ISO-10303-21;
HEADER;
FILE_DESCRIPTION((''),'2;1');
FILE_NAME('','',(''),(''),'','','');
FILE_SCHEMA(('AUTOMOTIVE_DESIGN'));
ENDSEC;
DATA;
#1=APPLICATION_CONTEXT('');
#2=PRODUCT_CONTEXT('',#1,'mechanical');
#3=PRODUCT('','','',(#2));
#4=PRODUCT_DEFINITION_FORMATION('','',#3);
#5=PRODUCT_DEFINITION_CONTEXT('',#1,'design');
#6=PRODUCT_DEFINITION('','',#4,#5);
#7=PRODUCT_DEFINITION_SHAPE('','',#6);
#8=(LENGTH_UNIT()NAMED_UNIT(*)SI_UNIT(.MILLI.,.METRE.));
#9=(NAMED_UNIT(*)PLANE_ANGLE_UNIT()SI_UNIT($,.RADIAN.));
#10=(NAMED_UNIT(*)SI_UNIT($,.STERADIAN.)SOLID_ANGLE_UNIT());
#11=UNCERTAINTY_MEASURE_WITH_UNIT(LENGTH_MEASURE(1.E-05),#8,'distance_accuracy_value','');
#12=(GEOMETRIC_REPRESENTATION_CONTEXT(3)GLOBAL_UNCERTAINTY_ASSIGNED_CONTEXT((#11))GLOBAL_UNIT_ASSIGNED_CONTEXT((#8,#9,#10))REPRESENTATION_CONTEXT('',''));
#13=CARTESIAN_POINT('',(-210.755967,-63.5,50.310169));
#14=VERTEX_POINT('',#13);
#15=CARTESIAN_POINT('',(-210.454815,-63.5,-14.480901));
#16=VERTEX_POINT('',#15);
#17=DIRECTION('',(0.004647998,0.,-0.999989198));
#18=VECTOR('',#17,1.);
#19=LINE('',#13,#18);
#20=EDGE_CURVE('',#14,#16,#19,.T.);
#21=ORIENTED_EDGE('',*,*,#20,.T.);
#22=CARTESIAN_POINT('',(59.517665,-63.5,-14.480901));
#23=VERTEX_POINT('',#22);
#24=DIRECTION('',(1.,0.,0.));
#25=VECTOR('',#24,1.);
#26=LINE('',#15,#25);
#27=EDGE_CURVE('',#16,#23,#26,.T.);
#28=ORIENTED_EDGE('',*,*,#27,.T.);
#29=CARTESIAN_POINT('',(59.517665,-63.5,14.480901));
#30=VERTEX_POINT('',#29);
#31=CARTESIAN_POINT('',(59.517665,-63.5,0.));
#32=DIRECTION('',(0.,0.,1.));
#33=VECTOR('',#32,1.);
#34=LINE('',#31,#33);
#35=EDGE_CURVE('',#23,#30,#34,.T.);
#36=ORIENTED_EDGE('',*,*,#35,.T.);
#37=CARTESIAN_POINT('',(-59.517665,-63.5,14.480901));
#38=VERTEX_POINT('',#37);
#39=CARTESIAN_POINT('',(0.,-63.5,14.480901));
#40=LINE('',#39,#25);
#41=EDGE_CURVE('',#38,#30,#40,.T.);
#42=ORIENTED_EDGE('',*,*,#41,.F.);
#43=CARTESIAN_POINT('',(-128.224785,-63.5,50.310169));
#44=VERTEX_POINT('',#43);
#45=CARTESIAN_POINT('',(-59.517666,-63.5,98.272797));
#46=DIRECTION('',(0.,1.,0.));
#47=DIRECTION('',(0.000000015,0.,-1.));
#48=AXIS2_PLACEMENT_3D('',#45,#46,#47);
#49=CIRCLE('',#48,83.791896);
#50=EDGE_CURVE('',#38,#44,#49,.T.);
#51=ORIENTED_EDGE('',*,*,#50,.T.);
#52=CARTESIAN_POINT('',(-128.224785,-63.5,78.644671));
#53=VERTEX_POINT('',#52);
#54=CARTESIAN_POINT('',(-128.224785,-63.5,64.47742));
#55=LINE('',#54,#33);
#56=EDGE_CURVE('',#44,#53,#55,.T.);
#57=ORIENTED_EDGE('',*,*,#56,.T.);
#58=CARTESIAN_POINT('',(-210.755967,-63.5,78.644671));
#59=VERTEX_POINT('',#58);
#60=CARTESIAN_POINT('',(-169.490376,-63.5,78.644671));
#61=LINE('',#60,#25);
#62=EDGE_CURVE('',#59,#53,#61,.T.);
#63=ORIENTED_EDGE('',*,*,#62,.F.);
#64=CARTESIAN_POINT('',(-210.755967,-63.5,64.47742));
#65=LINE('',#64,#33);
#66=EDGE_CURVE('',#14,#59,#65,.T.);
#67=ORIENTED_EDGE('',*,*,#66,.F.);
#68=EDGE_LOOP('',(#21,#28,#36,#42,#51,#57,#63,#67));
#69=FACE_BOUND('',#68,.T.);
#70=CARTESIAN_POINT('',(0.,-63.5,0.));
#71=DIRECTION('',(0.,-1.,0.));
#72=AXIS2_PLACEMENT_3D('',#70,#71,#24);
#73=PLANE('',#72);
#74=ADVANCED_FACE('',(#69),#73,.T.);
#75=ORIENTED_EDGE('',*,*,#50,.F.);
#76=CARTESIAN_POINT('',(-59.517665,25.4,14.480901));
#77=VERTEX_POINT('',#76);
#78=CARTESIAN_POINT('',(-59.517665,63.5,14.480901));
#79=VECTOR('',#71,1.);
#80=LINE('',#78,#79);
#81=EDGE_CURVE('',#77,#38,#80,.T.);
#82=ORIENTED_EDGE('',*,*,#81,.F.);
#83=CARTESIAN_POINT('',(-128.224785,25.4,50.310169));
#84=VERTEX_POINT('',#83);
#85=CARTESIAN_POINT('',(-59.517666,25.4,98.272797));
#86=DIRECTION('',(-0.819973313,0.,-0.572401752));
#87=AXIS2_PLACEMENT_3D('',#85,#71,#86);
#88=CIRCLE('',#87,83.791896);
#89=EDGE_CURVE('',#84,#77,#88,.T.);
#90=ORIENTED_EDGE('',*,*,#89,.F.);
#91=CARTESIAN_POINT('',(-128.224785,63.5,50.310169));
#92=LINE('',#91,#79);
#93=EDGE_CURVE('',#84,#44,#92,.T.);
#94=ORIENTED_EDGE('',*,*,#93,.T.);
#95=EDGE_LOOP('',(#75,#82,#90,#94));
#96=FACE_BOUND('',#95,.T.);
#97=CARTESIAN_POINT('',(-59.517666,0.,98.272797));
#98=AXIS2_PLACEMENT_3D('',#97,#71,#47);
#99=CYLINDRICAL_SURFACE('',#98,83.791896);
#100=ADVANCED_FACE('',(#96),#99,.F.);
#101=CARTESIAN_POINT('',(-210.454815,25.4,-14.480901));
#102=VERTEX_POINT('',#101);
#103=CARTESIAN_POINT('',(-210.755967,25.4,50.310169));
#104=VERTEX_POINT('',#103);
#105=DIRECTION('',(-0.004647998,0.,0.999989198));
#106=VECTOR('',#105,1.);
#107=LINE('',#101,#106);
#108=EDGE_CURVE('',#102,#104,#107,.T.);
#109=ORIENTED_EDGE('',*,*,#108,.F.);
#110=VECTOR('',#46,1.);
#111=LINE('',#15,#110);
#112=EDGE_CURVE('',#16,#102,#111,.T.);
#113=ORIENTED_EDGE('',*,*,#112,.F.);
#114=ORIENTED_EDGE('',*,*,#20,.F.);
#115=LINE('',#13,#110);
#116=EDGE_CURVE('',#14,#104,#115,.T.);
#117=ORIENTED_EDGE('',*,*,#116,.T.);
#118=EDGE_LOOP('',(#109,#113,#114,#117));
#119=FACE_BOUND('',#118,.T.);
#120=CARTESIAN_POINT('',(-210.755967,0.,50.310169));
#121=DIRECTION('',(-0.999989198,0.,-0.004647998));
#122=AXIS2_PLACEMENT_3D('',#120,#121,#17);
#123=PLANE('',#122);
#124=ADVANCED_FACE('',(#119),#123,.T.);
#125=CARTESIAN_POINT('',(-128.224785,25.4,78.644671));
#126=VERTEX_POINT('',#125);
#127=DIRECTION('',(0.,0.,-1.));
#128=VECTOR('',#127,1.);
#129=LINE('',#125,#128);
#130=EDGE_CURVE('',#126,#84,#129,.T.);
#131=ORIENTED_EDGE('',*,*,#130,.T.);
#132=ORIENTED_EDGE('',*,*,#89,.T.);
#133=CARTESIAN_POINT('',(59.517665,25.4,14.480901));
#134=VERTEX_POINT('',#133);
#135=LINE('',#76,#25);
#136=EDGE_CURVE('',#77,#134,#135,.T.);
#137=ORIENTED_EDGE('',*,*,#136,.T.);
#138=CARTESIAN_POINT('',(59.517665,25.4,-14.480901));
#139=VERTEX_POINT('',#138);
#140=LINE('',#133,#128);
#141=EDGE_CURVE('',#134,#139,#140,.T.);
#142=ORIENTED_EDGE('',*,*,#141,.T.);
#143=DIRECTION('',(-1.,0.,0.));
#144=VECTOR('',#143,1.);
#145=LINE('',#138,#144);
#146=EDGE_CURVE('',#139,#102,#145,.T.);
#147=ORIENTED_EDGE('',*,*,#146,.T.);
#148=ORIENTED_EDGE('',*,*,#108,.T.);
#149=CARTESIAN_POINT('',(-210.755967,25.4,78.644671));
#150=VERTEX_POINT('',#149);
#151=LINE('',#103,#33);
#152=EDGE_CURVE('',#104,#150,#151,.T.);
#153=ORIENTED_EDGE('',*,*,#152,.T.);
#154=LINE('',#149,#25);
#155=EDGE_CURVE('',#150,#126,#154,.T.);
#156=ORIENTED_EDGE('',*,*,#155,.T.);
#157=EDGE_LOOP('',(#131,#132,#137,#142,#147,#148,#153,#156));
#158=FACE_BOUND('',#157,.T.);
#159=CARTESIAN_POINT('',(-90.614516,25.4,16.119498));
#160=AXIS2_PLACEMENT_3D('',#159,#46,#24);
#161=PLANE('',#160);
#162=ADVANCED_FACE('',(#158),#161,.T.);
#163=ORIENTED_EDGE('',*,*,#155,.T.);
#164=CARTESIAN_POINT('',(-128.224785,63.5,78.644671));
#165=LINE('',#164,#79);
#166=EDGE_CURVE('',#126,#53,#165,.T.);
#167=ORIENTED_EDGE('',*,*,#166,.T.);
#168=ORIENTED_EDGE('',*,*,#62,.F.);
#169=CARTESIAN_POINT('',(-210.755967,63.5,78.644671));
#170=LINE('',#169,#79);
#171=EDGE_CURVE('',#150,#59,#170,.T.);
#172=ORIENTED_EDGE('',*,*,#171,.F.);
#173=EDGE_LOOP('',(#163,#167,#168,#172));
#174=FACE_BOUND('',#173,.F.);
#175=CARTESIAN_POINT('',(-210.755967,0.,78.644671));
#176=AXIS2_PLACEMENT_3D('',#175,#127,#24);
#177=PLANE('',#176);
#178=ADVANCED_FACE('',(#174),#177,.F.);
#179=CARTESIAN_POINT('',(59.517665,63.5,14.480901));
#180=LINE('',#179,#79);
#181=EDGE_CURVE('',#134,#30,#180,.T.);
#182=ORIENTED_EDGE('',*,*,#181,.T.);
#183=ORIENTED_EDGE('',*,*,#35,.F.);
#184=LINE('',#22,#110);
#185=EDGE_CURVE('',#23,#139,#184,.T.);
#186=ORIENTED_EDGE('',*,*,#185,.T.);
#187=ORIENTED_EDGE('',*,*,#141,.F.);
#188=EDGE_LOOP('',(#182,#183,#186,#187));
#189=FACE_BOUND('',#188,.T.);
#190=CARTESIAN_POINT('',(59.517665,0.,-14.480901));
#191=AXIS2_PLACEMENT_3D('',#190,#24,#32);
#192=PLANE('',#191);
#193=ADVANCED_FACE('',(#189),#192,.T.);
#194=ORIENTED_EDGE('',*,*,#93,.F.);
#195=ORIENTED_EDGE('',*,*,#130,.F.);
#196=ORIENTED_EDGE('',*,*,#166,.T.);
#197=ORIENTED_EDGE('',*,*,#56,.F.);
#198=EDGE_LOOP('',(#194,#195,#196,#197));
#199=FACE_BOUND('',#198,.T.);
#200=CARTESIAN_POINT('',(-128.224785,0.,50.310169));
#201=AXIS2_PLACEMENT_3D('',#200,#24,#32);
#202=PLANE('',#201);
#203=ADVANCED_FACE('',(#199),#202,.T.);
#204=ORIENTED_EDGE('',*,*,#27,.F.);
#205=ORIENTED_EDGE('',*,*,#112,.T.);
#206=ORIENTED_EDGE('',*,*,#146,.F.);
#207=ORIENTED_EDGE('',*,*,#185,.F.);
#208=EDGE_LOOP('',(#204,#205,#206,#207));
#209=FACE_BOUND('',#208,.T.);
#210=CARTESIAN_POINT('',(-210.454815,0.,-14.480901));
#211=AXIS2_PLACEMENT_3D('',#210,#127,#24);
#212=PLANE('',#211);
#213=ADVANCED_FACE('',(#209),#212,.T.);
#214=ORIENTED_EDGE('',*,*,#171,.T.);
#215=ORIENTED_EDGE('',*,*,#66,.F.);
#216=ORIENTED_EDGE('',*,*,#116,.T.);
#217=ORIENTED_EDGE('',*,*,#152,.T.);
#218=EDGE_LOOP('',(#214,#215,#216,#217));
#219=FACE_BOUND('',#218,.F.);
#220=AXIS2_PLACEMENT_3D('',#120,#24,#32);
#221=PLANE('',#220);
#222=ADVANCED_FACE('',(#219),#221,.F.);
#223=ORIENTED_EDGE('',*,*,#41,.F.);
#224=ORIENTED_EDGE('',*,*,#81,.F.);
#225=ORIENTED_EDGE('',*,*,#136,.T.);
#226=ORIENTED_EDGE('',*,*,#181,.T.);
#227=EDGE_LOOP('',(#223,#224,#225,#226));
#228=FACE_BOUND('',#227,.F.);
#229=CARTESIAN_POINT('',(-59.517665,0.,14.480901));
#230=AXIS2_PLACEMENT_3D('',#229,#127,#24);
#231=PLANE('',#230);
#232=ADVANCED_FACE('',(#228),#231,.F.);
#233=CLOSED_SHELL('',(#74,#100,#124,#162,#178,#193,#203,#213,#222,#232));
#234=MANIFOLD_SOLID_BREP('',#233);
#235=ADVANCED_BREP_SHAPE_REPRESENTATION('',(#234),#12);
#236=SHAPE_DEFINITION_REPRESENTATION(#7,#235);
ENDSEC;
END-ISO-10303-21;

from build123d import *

# Parameters (mm, degrees)
F0_W     = 119.03533
F0_H     = 28.961802
F0_W_2   = 82.531182
F0_H_2   = 28.334502
F1_DEPTH = 63.5
F2_DEPTH = 38.1


with BuildPart() as f1:
    # F0 (on Front) → F1 (new body, symmetric)
    with BuildSketch(Plane.XZ):
        Rectangle(F0_W, F0_H)
        with BuildLine():
            Line((-59.517665, -14.480901), (-59.517665, 14.480901))
            ThreePointArc((-59.517665, 14.480901), (-98.261712, 23.976224), (-128.224785, 50.310169))
            Line((-128.224785, 50.310169), (-210.755967, 50.310169))
            Line((-210.755967, 50.310169), (-210.454815, -14.480901))
            Line((-210.454815, -14.480901), (-59.517665, -14.480901))
        make_face()
        with Locations((-169.490376, 64.47742)):
            Rectangle(F0_W_2, F0_H_2)
    extrude(amount=F1_DEPTH, both=True)

    # F1_face (on face) → F2 (cut)
    with BuildSketch(Plane(origin=(-113.343632, 63.5, 19.109713), x_dir=(1, 0, 0), z_dir=(0, 1, 0))):
        with BuildLine():
            Line((172.861297, 4.628812), (172.861297, 33.590614))
            Line((172.861297, 33.590614), (-97.111183, 33.590614))
            Line((-97.111183, 33.590614), (-97.412335, -31.200456))
            Line((-97.412335, -31.200456), (-97.412335, -59.534958))
            Line((-97.412335, -59.534958), (-14.881153, -59.534958))
            Line((-14.881153, -59.534958), (-14.881153, -31.200456))
            ThreePointArc((-14.881153, -31.200456), (15.08192, -4.866511), (53.825967, 4.628812))
            Line((53.825967, 4.628812), (172.861297, 4.628812))
        make_face()
        with BuildLine():
            Line((-97.111183, 33.590614), (172.861297, 33.590614))
            Line((172.861297, 33.590614), (172.861297, 4.628812))
            Line((172.861297, 4.628812), (53.825967, 4.628812))
            ThreePointArc((53.825967, 4.628812), (15.08192, -4.866511), (-14.881153, -31.200456))
            Line((-14.881153, -31.200456), (-14.881153, -59.534958))
            Line((-14.881153, -59.534958), (-97.412335, -59.534958))
            Line((-97.412335, -59.534958), (-97.412335, -31.200456))
            Line((-97.412335, -31.200456), (-97.111183, 33.590614))
        make_face()
    extrude(amount=-F2_DEPTH, mode=Mode.SUBTRACT)


solid = f1.part
